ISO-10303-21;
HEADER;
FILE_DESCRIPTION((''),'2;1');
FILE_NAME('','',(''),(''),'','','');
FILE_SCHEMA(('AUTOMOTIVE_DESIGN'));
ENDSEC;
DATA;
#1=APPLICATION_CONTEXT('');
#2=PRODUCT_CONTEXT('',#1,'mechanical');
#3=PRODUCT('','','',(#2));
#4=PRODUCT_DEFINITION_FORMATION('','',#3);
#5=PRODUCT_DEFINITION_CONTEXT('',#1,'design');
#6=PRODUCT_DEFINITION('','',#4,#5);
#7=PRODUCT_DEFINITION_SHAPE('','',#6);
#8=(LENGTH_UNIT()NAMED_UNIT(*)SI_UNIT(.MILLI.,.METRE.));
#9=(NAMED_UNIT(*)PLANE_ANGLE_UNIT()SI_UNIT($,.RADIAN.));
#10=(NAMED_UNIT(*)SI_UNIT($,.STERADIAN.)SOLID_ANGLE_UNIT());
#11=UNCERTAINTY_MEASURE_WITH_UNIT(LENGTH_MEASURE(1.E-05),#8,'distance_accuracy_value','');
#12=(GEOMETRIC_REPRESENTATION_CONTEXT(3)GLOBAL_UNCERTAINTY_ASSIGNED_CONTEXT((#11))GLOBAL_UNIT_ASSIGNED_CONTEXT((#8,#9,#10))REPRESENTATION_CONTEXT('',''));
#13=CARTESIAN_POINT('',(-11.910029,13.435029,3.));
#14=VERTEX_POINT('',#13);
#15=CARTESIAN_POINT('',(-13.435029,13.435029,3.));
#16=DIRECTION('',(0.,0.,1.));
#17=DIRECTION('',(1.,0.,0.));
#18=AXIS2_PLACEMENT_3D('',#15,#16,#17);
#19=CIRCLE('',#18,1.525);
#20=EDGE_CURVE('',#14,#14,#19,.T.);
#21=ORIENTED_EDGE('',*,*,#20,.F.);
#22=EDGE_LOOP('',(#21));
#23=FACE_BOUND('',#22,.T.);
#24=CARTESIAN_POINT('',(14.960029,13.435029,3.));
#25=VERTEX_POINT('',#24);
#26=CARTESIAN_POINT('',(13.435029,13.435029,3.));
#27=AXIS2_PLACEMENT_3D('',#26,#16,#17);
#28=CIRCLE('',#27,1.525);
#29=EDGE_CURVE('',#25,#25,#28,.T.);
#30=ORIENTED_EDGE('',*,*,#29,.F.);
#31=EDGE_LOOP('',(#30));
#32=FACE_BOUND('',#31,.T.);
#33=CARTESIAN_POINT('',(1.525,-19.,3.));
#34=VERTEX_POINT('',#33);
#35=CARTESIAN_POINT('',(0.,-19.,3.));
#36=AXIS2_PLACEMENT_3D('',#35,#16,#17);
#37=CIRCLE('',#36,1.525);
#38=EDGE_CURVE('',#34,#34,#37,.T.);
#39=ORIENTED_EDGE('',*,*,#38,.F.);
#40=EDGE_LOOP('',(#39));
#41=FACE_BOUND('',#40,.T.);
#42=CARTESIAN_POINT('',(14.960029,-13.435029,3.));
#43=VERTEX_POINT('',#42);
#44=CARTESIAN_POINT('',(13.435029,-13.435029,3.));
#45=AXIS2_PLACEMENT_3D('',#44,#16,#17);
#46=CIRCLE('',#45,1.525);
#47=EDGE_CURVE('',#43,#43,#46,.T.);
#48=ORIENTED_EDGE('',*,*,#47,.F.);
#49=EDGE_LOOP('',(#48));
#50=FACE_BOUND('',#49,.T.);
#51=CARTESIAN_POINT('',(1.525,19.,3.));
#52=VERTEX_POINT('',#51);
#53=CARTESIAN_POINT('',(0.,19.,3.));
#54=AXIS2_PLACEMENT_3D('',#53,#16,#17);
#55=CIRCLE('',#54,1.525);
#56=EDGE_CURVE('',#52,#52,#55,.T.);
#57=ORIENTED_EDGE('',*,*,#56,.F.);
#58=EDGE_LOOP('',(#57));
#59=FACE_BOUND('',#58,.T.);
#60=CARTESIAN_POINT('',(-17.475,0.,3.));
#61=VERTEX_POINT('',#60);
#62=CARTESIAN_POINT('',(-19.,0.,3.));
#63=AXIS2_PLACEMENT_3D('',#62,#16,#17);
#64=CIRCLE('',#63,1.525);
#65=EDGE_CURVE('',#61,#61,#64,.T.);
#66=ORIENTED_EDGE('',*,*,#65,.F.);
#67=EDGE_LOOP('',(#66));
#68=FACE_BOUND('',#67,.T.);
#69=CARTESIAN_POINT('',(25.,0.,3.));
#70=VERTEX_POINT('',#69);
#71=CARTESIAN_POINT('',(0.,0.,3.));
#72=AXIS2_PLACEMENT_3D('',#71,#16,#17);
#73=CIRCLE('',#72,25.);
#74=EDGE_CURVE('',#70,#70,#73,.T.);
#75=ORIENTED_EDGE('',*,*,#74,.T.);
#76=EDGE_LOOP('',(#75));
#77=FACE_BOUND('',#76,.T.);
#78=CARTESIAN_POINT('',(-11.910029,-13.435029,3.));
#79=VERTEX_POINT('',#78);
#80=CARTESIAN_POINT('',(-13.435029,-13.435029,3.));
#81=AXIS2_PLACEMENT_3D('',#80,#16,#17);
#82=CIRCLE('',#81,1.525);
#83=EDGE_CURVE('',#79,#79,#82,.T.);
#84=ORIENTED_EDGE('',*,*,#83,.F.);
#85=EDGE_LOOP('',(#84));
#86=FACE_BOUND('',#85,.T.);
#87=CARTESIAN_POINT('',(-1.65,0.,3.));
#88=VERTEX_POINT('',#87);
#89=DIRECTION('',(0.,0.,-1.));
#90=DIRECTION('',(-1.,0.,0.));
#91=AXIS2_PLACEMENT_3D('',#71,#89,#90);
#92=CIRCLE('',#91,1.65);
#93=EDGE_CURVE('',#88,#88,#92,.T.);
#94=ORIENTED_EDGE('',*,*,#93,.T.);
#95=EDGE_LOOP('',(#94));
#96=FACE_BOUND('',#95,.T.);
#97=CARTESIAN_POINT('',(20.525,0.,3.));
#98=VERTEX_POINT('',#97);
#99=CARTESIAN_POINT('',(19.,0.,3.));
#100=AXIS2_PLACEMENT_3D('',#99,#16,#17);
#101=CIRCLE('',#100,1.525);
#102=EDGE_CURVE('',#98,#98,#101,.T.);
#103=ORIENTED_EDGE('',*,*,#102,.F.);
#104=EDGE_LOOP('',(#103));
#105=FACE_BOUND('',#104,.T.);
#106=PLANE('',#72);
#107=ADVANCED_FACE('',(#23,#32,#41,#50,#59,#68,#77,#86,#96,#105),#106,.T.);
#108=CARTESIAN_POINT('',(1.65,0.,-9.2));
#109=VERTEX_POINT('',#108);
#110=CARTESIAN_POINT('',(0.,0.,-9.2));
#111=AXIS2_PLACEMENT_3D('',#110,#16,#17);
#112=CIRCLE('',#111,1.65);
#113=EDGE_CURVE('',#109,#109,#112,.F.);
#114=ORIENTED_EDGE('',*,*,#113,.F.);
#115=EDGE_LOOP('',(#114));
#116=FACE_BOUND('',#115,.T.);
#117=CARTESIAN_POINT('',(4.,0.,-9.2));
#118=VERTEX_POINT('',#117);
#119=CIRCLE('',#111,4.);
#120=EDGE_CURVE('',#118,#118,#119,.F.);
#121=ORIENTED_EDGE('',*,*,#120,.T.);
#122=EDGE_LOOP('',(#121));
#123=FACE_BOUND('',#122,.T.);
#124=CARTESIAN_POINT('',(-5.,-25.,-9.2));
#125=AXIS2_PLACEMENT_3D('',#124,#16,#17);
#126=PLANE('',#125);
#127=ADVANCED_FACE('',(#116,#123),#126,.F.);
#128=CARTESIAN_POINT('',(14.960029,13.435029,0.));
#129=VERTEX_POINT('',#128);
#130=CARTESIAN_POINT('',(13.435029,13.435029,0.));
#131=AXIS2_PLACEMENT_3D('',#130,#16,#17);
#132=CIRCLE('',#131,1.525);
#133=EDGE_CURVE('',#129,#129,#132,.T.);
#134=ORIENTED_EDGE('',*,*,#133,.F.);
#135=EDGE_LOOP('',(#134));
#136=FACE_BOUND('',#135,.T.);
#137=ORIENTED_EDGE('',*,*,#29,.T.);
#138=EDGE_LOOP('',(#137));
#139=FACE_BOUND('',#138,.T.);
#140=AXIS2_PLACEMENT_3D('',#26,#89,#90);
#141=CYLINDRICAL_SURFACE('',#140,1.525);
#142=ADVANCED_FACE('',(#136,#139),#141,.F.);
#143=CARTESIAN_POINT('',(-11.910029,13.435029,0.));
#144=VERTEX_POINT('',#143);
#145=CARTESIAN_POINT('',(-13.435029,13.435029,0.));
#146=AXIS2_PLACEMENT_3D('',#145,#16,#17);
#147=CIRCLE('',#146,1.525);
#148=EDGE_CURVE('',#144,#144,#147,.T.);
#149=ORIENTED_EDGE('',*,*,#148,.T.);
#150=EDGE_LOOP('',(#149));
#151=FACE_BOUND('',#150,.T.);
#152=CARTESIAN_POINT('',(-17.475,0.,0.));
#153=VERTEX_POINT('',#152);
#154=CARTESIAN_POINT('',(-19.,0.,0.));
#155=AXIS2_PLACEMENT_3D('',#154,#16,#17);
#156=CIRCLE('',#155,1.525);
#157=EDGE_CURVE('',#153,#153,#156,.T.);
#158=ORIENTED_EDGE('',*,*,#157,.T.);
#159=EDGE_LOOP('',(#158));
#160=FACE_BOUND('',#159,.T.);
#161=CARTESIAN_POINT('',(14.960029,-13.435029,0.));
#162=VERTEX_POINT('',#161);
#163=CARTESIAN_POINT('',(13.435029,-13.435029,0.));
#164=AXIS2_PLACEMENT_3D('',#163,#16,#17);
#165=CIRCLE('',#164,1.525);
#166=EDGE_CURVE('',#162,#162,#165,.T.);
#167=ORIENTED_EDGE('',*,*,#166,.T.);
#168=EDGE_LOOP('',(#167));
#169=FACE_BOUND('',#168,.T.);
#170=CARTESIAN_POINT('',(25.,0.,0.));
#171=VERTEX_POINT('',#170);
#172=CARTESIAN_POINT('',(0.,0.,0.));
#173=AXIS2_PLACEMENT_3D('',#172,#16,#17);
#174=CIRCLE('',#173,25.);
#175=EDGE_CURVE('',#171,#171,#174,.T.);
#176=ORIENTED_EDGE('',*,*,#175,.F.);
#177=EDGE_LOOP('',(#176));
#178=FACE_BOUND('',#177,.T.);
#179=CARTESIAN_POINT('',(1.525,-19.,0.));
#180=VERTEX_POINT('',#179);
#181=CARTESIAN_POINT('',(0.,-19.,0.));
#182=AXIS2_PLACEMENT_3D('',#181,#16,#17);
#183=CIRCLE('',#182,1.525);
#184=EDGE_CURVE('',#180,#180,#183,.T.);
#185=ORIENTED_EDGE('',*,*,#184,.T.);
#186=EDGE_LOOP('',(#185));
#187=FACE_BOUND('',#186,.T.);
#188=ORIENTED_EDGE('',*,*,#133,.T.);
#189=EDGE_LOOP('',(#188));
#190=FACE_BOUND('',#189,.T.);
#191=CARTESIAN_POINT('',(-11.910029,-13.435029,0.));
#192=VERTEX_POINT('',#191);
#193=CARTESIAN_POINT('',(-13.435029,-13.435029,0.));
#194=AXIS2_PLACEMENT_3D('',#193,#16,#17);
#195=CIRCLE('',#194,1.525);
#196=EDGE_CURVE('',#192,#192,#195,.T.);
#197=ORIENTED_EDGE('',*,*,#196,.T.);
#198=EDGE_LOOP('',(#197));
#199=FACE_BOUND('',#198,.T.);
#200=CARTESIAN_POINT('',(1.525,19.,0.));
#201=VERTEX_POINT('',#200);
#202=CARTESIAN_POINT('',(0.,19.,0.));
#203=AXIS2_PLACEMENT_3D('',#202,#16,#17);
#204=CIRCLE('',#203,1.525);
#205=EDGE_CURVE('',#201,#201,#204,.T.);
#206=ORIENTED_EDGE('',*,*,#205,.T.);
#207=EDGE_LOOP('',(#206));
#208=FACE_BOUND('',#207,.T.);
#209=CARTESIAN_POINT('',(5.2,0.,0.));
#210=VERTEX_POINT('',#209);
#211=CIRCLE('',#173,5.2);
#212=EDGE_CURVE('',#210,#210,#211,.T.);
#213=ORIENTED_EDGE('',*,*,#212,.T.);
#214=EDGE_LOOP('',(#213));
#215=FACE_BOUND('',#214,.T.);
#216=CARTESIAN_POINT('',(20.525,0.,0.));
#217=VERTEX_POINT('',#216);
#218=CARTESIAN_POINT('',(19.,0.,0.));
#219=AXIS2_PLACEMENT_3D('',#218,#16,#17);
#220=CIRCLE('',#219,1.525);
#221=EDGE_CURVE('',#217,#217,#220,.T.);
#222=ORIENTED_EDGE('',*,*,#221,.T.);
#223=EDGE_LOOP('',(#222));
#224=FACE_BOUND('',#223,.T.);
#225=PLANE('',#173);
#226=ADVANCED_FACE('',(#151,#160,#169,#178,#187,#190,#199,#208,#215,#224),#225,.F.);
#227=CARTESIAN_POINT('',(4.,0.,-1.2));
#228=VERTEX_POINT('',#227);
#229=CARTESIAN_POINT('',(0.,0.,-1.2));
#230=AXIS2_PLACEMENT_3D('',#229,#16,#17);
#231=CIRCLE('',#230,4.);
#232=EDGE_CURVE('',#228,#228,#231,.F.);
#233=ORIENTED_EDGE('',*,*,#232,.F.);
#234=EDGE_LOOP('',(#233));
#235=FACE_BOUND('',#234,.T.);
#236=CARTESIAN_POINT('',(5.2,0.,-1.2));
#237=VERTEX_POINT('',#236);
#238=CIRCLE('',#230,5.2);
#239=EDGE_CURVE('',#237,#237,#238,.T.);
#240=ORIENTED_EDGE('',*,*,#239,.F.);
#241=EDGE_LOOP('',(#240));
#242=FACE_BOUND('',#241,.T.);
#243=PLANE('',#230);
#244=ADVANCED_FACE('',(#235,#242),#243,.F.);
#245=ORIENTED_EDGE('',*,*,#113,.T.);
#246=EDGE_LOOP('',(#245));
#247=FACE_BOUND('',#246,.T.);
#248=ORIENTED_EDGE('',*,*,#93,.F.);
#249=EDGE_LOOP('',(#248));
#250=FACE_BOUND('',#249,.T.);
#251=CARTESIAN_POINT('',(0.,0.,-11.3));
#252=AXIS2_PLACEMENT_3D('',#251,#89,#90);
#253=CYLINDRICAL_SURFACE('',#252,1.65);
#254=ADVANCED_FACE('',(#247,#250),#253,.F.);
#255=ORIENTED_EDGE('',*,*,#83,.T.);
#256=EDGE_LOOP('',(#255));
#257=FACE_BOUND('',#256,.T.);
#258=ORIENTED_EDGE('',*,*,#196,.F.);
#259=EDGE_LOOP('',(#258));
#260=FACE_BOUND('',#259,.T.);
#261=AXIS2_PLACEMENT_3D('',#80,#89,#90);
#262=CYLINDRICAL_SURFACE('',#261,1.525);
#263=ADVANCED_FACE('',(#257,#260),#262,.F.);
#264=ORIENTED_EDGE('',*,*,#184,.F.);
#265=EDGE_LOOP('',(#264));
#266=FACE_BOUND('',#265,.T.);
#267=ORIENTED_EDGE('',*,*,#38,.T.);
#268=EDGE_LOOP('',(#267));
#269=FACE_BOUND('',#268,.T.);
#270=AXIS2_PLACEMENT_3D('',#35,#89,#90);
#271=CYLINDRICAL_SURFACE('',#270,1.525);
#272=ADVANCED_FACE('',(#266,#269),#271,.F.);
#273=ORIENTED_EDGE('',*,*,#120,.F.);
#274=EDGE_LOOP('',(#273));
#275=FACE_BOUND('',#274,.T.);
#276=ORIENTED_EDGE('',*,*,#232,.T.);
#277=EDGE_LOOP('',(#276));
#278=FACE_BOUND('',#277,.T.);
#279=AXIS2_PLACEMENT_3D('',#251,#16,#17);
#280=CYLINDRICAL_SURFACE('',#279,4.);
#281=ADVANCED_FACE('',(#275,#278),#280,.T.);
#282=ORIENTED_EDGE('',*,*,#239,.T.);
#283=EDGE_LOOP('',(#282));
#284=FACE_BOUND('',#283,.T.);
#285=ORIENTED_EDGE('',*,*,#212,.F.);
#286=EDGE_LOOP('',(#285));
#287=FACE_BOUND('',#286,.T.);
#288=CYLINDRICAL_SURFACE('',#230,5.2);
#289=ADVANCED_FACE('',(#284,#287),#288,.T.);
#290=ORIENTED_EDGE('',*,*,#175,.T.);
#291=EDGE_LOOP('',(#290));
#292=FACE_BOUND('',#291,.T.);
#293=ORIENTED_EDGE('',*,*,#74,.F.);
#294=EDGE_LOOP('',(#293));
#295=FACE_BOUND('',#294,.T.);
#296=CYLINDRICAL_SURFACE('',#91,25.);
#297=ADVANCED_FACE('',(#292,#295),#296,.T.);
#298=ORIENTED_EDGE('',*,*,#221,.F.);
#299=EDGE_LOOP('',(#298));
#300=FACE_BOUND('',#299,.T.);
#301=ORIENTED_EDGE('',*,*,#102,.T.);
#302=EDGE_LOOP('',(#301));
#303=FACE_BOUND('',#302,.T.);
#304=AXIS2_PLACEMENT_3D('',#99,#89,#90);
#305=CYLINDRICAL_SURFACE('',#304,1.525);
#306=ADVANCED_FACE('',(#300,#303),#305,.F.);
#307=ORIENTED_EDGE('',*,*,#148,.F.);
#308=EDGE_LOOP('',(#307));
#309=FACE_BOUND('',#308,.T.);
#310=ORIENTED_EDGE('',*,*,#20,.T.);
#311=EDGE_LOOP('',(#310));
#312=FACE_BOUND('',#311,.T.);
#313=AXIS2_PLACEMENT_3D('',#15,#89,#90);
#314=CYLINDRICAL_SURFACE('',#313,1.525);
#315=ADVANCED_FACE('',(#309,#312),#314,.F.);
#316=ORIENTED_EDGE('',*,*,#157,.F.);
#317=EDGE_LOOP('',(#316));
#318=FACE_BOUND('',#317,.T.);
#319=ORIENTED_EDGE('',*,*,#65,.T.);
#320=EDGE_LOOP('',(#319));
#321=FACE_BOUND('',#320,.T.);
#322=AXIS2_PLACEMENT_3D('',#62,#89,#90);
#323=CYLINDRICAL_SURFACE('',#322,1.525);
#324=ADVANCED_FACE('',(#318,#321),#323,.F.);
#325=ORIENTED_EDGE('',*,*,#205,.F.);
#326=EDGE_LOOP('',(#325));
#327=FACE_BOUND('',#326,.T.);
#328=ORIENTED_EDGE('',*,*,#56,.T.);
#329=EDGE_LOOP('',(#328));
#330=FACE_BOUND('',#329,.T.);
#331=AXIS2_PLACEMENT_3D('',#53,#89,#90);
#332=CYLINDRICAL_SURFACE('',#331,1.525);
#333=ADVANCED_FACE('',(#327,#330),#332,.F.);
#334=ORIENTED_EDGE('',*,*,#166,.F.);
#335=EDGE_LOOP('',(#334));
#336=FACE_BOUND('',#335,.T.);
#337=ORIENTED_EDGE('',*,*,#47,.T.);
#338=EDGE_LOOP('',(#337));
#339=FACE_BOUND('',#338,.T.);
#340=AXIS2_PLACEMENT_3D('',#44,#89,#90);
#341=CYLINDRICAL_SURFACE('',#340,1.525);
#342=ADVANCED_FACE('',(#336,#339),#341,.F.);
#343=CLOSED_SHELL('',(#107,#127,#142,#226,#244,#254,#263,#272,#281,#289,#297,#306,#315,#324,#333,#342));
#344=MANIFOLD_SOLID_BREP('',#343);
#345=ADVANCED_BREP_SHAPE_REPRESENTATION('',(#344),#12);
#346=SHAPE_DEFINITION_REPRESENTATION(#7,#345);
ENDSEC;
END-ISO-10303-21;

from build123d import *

# Parameters (mm, degrees)
SKETCH_1_R               = 25
SKETCH_1_R_2             = 1.525
EXTRUDE_1_DEPTH          = 3
EXTRUDE_START            = -3
SKETCH_2_R               = 4
EXTRUDE_2_DEPTH          = 11.3
SKETCH_3_R               = 5.2
EXTRUDE_3_DEPTH          = 1.2
HOLE_WIZARD_M4_1_D       = 3.3
SKETCH_6_W               = 9
SKETCH_6_H               = 2.1
CUT_EXTRUDE_1_DEPTH      = 26
CUT_EXTRUDE_1_DEPTH_BACK = 26


with BuildPart() as part:
    # 草图1 → 凸台-拉伸1 (new body)
    with BuildSketch(Plane.XY):
        Circle(SKETCH_1_R)
        with Locations((0, 19)):
            Circle(SKETCH_1_R_2, mode=Mode.SUBTRACT)
        with Locations((13.435028843, 13.435028843)):
            Circle(SKETCH_1_R_2, mode=Mode.SUBTRACT)
        with Locations((19, 0)):
            Circle(SKETCH_1_R_2, mode=Mode.SUBTRACT)
        with Locations((13.435028843, -13.435028843)):
            Circle(SKETCH_1_R_2, mode=Mode.SUBTRACT)
        with Locations((0, -19)):
            Circle(SKETCH_1_R_2, mode=Mode.SUBTRACT)
        with Locations((-13.435028843, -13.435028843)):
            Circle(SKETCH_1_R_2, mode=Mode.SUBTRACT)
        with Locations((-19, 0)):
            Circle(SKETCH_1_R_2, mode=Mode.SUBTRACT)
        with Locations((-13.435028843, 13.435028843)):
            Circle(SKETCH_1_R_2, mode=Mode.SUBTRACT)
    extrude(amount=EXTRUDE_1_DEPTH)

    # 草图2 → 凸台-拉伸2 (add)
    with BuildSketch(Plane.XY.offset(3).offset(EXTRUDE_START)):
        Circle(SKETCH_2_R)
    extrude(amount=-EXTRUDE_2_DEPTH)

    # 草图3 → 凸台-拉伸3 (add)
    with BuildSketch(Plane.XY.offset(3).offset(EXTRUDE_START)):
        Circle(SKETCH_3_R)
    extrude(amount=-EXTRUDE_3_DEPTH)

    # M4 螺纹孔1 (through all)
    with Locations(Plane(origin=(0, 0, -11.3), x_dir=(-1, 0, 0), z_dir=(0, 0, -1))):
        with Locations((0, 0)):
            Hole(HOLE_WIZARD_M4_1_D / 2)

    # 草图6 → 切除-拉伸1 (cut, two sides)
    with BuildSketch(Plane(origin=(0, 0, 0), x_dir=(1, 0, 0), z_dir=(0, 1, 0))) as cut_extrude_1_sk:
        with Locations((-0.5, 10.25)):
            Rectangle(SKETCH_6_W, SKETCH_6_H)
    extrude(amount=CUT_EXTRUDE_1_DEPTH, mode=Mode.SUBTRACT)
    extrude(cut_extrude_1_sk.sketch, amount=-CUT_EXTRUDE_1_DEPTH_BACK, mode=Mode.SUBTRACT)


solid = part.part
